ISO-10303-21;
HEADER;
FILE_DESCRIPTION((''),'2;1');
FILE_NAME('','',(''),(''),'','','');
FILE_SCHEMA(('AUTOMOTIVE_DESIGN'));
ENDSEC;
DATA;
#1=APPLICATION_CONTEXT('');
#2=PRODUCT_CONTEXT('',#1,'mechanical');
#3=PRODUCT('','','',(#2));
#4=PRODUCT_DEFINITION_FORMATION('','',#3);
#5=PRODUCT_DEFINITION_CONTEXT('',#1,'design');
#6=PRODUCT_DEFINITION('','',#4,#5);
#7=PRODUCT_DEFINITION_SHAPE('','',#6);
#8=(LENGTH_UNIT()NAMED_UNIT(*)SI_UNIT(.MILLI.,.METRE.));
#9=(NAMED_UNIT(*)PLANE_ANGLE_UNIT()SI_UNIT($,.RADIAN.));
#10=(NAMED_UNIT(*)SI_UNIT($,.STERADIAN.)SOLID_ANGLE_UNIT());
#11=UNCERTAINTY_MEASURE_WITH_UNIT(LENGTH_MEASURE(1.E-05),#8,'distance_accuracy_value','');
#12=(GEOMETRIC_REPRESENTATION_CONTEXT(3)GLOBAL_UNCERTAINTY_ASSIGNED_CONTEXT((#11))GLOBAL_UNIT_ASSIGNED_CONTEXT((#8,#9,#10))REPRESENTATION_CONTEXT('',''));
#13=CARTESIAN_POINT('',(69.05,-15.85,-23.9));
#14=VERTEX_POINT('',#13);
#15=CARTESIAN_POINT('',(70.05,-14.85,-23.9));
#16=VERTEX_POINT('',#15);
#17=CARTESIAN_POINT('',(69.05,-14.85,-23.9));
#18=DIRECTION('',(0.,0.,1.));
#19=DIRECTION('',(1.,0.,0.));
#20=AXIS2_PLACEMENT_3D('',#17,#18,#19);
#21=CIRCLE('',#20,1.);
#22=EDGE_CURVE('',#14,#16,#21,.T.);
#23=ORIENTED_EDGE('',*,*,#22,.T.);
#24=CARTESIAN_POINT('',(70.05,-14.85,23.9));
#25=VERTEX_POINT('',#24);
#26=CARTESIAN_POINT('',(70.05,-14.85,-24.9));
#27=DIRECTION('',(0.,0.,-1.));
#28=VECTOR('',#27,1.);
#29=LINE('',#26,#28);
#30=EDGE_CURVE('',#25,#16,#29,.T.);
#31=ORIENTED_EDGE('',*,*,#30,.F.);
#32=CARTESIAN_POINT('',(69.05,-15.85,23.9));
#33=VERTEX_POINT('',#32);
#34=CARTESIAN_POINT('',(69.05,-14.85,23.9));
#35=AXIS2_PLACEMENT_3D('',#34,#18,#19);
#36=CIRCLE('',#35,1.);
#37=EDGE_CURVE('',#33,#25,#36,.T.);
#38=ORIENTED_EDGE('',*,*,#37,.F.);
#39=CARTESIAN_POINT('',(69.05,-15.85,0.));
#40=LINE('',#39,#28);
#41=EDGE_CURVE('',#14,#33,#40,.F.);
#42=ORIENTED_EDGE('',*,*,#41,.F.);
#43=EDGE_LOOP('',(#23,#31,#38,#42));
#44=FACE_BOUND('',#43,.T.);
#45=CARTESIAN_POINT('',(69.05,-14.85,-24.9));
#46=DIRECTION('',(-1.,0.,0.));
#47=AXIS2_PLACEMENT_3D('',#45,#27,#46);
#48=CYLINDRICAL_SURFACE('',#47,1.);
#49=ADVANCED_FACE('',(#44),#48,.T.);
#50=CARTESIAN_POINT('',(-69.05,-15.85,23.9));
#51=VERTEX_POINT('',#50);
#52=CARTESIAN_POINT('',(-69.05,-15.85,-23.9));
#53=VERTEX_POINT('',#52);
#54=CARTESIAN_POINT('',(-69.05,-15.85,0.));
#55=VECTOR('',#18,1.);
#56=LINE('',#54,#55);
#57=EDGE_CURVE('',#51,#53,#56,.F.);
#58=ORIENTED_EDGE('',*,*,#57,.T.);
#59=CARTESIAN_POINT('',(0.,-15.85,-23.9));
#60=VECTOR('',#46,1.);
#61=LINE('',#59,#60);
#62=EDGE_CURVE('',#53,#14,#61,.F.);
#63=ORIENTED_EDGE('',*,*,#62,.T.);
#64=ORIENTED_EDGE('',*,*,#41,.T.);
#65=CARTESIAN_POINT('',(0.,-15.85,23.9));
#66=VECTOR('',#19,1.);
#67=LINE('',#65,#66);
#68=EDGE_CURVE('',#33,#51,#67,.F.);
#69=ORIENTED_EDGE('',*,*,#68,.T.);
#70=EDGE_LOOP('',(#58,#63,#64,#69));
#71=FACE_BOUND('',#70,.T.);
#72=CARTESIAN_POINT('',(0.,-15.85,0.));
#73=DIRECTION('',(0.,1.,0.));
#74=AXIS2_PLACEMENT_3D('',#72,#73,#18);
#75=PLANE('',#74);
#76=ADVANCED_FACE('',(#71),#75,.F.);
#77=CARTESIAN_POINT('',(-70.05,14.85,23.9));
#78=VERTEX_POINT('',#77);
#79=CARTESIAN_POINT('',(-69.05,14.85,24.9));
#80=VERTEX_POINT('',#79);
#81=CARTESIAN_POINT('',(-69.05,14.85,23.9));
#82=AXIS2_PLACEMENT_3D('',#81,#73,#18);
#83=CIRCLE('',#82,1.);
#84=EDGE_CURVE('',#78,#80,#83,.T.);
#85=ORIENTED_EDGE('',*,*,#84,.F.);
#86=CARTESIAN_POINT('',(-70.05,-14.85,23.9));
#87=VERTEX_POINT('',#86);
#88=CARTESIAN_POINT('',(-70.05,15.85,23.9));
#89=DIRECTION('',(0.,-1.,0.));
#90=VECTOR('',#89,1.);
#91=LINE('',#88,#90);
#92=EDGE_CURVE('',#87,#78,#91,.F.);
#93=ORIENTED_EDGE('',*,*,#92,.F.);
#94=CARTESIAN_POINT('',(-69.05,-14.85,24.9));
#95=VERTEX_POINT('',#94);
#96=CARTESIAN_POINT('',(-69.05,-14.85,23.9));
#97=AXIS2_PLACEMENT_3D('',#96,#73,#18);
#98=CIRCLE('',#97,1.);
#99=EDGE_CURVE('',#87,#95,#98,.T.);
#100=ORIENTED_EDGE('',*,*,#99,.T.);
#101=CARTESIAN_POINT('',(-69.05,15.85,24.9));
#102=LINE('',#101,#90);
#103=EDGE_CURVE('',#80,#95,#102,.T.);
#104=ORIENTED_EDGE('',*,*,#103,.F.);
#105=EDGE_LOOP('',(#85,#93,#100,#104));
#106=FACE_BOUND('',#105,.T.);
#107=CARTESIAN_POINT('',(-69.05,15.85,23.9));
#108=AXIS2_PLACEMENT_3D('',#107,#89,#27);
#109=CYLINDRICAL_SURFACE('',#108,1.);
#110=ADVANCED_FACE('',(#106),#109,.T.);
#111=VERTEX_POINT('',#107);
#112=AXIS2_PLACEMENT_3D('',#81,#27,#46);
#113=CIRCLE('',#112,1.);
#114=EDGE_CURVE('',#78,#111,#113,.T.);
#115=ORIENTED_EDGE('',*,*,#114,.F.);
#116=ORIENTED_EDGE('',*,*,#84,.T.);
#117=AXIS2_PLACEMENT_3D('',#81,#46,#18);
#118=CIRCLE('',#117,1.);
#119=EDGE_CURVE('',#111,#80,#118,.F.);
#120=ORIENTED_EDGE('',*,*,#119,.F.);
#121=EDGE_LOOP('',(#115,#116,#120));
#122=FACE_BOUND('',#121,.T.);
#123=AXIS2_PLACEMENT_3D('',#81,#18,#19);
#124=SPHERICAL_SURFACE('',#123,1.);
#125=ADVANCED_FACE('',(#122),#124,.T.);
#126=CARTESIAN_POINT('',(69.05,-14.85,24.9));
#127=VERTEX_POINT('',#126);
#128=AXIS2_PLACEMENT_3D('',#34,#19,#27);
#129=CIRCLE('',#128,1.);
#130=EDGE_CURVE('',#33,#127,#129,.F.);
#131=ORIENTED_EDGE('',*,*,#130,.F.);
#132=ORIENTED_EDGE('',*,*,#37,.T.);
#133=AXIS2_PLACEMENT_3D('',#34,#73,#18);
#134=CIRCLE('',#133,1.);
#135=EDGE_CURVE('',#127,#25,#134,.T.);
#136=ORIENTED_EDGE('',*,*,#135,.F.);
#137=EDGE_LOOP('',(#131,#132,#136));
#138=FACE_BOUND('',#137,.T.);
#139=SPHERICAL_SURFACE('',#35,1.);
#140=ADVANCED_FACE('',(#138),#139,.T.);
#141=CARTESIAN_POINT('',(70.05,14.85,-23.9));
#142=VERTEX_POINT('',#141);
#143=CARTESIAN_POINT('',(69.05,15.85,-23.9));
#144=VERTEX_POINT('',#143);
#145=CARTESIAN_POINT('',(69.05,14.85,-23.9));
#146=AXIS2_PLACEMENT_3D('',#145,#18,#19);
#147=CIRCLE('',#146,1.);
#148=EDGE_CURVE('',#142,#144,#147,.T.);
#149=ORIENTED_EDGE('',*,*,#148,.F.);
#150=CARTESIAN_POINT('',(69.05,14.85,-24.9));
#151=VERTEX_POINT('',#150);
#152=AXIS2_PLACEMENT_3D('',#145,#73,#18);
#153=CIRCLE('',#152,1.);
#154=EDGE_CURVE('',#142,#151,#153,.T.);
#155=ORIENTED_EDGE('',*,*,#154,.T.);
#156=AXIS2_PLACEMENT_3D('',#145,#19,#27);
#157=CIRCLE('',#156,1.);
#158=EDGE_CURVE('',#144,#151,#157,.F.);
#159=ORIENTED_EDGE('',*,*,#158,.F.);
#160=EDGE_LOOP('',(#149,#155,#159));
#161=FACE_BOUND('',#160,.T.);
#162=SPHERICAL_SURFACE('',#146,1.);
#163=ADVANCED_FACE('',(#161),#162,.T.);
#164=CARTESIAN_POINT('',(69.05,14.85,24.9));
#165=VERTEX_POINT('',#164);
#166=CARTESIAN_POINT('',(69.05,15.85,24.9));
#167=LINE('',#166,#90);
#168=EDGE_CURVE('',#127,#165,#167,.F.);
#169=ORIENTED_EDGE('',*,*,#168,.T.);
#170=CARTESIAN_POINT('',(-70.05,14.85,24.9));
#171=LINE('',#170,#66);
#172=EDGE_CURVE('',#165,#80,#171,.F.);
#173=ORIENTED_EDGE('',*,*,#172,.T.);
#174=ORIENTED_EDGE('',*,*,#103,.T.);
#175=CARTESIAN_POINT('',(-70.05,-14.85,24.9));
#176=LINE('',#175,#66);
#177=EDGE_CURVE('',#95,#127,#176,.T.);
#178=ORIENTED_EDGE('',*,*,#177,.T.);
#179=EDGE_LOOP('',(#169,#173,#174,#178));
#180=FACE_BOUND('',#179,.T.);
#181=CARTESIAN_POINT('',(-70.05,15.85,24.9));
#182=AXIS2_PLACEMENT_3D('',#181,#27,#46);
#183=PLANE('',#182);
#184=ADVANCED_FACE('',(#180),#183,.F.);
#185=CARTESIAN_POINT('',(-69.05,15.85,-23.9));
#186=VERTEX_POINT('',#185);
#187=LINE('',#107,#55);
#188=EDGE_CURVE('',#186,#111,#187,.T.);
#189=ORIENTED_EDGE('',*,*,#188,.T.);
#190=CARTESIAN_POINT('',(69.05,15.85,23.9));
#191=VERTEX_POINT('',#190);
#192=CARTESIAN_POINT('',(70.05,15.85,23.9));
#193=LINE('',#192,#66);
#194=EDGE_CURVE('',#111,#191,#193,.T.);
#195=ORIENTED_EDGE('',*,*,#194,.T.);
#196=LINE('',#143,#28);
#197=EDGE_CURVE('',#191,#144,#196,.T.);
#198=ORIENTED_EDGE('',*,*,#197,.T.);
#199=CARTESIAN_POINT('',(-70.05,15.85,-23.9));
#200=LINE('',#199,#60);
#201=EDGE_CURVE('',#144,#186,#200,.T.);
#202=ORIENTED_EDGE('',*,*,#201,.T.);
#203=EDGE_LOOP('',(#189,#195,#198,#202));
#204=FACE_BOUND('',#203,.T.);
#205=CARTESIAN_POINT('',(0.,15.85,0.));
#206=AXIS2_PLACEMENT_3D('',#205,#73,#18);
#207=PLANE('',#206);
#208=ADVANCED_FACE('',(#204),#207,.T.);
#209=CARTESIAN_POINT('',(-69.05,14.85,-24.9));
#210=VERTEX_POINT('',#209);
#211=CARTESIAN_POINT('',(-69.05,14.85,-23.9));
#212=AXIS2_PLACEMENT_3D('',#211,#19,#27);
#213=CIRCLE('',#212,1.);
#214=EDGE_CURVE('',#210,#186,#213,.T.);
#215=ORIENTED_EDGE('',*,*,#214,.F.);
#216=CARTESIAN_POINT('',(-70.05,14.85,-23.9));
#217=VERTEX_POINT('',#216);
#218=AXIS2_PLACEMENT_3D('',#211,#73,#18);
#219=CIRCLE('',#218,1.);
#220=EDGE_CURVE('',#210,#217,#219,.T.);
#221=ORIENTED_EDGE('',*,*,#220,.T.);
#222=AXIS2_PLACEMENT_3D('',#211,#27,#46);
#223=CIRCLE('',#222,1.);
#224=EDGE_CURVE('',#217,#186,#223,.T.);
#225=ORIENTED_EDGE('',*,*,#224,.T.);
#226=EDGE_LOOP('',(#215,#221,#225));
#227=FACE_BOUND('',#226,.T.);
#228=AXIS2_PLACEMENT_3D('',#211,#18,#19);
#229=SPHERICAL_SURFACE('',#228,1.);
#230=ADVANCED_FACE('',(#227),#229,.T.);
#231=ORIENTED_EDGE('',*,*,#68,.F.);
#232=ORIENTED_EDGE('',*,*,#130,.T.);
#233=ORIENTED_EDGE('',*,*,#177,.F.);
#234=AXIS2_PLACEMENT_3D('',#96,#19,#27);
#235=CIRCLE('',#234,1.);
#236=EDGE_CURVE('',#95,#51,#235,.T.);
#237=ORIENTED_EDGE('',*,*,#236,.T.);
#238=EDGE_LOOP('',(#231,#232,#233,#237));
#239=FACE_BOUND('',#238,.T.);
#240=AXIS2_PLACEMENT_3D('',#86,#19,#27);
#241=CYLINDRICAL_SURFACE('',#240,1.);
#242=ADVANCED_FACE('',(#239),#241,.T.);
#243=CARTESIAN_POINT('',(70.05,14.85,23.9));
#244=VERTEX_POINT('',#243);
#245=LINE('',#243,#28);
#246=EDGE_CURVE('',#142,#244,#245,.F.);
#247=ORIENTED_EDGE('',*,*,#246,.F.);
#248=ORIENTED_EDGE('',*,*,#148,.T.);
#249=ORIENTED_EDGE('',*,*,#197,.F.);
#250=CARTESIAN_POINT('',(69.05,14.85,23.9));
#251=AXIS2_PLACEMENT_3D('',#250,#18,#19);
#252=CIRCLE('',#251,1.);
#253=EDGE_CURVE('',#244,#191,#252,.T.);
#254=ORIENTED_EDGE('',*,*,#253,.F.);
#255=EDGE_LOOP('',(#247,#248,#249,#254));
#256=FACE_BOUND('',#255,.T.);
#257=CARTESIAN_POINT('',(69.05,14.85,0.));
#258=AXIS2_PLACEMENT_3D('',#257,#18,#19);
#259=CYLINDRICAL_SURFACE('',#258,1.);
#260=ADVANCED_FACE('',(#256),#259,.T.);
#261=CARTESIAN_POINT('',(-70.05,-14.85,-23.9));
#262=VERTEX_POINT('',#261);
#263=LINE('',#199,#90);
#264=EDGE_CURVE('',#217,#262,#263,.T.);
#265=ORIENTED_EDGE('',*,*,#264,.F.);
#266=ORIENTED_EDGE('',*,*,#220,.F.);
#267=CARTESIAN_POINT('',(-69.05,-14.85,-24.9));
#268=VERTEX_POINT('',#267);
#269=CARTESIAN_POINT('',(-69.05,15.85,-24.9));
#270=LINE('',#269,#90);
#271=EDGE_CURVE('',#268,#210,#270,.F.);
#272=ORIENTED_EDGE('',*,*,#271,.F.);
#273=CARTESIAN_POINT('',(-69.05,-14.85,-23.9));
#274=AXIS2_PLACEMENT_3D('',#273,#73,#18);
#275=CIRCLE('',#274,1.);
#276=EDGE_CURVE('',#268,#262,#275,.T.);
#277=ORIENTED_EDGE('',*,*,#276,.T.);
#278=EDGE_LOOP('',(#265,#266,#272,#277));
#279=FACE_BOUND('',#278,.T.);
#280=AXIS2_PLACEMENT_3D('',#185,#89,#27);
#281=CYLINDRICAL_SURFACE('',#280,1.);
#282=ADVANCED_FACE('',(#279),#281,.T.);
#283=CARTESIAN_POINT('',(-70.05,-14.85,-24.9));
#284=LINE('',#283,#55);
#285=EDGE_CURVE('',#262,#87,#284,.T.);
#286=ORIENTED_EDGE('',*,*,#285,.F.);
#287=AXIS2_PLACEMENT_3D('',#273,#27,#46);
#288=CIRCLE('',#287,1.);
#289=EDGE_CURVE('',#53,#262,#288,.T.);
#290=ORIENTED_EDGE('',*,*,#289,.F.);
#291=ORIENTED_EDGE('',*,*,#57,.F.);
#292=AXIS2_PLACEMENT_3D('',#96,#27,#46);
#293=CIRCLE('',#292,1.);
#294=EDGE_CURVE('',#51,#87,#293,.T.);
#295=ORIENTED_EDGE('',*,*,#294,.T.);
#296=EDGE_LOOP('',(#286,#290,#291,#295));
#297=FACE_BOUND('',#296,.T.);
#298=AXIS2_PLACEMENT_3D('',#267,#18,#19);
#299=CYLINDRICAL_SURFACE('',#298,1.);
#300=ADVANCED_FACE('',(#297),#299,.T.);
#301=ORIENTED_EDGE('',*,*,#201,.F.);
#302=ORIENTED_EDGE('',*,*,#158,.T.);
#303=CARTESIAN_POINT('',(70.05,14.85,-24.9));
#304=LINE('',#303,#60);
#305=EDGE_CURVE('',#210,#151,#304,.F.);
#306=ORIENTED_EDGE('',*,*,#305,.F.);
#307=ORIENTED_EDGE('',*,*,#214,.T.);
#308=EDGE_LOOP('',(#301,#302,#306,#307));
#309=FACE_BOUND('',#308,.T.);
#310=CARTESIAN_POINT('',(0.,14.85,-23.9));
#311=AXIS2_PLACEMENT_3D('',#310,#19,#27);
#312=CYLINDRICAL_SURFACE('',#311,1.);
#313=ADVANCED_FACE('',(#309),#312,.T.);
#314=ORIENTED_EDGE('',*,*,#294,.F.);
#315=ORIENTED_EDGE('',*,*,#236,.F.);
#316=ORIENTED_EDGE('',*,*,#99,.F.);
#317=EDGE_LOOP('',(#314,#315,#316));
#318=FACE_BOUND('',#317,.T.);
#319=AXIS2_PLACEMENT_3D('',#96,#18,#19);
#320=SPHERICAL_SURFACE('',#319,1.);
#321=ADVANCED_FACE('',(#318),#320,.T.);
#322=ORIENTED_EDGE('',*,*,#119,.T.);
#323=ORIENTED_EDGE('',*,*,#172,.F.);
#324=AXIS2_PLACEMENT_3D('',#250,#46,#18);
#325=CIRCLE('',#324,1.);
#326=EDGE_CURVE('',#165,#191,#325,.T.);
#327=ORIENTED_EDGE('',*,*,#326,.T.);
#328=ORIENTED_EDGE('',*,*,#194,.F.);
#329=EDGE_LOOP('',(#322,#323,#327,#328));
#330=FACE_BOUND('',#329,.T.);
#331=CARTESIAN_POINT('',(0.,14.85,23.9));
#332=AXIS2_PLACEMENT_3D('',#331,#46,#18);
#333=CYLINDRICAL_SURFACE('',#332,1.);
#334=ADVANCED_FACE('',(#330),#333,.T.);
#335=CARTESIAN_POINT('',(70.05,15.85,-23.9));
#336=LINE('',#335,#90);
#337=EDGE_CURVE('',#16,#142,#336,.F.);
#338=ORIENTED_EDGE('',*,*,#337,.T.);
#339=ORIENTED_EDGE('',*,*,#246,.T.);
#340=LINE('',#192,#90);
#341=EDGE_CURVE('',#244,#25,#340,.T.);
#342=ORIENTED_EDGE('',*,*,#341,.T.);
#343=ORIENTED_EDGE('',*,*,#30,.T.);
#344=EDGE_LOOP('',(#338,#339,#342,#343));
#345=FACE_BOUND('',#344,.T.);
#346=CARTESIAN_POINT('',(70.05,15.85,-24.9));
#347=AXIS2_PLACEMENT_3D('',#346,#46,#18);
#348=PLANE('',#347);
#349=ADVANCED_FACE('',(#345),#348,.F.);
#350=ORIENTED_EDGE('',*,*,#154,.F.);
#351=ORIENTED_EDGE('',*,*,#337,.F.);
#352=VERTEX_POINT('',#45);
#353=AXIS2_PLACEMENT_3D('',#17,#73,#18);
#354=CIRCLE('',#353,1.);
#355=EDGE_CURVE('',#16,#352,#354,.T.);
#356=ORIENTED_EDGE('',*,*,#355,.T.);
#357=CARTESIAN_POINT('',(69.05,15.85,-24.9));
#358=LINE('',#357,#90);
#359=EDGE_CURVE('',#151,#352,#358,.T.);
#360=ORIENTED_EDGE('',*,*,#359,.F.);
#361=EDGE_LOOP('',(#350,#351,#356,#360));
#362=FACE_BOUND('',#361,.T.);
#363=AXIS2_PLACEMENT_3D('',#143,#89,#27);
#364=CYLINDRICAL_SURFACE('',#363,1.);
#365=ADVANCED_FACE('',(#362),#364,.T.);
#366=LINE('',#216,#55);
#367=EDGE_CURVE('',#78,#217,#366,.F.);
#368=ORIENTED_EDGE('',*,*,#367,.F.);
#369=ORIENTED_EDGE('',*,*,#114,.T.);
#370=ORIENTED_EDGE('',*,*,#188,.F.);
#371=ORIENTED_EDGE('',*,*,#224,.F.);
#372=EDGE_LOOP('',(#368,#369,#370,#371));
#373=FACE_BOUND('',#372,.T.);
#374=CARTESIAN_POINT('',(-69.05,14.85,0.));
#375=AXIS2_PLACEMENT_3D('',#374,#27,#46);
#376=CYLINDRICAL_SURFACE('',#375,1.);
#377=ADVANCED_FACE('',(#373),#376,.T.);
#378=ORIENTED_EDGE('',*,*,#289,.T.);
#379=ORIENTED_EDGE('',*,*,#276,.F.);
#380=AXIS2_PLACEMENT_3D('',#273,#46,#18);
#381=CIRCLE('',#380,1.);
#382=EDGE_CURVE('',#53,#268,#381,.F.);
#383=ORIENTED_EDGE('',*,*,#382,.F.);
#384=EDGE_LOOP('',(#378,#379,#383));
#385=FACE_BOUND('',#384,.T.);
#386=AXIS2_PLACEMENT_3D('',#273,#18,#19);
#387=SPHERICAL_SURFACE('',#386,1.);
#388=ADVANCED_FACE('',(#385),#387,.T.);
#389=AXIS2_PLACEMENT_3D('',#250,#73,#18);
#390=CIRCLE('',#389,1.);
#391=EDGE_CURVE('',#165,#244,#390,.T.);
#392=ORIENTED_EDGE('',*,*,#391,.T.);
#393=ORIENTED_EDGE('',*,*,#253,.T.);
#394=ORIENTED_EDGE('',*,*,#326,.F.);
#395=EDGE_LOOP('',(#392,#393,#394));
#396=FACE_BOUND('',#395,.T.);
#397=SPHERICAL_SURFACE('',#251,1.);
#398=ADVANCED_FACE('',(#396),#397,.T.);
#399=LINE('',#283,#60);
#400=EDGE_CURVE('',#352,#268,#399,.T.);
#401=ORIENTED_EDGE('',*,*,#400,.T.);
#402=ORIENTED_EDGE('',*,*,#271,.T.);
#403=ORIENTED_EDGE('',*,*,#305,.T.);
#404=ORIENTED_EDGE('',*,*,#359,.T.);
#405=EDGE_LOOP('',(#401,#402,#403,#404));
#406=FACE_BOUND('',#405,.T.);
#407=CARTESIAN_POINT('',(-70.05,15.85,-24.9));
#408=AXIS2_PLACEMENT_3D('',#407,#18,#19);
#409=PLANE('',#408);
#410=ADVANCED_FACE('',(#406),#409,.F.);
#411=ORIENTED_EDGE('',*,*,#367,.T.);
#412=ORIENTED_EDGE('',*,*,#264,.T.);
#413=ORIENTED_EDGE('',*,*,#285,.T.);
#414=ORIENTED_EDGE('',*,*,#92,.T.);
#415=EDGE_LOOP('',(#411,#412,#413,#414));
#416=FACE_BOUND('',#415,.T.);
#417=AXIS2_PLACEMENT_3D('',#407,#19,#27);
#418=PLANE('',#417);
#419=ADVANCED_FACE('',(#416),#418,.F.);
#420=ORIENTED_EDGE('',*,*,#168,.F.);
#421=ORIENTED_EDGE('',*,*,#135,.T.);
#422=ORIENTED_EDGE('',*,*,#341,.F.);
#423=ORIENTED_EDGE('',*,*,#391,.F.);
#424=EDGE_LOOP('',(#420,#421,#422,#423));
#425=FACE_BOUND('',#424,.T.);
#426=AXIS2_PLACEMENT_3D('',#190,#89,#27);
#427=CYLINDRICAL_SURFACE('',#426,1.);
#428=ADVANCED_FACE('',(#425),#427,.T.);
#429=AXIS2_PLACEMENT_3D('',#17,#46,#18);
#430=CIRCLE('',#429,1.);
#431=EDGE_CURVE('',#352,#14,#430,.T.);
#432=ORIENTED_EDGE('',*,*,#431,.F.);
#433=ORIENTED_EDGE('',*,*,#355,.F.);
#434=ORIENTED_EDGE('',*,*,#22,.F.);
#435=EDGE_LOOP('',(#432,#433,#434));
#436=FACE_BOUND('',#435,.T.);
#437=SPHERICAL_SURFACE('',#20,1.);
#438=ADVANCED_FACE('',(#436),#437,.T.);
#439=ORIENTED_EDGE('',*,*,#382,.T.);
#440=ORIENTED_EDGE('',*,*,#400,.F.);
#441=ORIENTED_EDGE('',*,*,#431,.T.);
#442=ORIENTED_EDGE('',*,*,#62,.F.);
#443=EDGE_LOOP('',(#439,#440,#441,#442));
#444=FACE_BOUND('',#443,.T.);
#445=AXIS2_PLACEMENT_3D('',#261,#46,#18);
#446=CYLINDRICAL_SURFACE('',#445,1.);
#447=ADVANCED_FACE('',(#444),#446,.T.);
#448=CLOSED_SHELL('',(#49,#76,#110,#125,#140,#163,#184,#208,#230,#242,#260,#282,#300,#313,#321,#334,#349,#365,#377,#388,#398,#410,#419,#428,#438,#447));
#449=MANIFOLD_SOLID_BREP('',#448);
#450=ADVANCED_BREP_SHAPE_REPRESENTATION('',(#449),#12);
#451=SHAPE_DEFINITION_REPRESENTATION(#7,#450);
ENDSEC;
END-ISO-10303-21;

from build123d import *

# Parameters (mm, degrees)
SKETCH1_W           = 140.1
SKETCH1_H           = 49.8
BOSS_EXTRUDE1_DEPTH = 15.85
FILLET1_R           = 1
FILLET2_R           = 1


with BuildPart() as part:
    # Sketch1 → Boss-Extrude1 (new, symmetric)
    with BuildSketch(Plane(origin=(0, 0, 0), x_dir=(1, 0, 0), z_dir=(0, 1, 0))):
        Rectangle(SKETCH1_W, SKETCH1_H)
    extrude(amount=BOSS_EXTRUDE1_DEPTH, both=True)

    # Fillet1
    fillet1_edges = [part.edges().sort_by_distance(p)[0] for p in [
        (0, 15.85, 24.9),
        (0, -15.85, 24.9),
        (0, -15.85, -24.9),
        (0, 15.85, -24.9),
    ]]
    fillet(fillet1_edges, radius=FILLET1_R)

    # Fillet2
    fillet2_edges = [part.edges().sort_by_distance(p)[0] for p in [
        (-70.05, 0, -24.9),
        (70.05, 0, -24.9),
        (-70.05, -15.85, 0),
        (-70.05, 0, 24.9),
        (-70.05, 15.85, 0),
        (-70.05, 15.557106781, 24.607106781),
        (-70.05, 15.557106781, -24.607106781),
        (-70.05, -15.557106781, 24.607106781),
        (-70.05, -15.557106781, -24.607106781),
        (70.05, -15.85, 0),
        (70.05, 15.85, 0),
        (70.05, 0, 24.9),
        (70.05, 15.557106781, 24.607106781),
        (70.05, 15.557106781, -24.607106781),
        (70.05, -15.557106781, 24.607106781),
        (70.05, -15.557106781, -24.607106781),
    ]]
    fillet(fillet2_edges, radius=FILLET2_R)


solid = part.part
